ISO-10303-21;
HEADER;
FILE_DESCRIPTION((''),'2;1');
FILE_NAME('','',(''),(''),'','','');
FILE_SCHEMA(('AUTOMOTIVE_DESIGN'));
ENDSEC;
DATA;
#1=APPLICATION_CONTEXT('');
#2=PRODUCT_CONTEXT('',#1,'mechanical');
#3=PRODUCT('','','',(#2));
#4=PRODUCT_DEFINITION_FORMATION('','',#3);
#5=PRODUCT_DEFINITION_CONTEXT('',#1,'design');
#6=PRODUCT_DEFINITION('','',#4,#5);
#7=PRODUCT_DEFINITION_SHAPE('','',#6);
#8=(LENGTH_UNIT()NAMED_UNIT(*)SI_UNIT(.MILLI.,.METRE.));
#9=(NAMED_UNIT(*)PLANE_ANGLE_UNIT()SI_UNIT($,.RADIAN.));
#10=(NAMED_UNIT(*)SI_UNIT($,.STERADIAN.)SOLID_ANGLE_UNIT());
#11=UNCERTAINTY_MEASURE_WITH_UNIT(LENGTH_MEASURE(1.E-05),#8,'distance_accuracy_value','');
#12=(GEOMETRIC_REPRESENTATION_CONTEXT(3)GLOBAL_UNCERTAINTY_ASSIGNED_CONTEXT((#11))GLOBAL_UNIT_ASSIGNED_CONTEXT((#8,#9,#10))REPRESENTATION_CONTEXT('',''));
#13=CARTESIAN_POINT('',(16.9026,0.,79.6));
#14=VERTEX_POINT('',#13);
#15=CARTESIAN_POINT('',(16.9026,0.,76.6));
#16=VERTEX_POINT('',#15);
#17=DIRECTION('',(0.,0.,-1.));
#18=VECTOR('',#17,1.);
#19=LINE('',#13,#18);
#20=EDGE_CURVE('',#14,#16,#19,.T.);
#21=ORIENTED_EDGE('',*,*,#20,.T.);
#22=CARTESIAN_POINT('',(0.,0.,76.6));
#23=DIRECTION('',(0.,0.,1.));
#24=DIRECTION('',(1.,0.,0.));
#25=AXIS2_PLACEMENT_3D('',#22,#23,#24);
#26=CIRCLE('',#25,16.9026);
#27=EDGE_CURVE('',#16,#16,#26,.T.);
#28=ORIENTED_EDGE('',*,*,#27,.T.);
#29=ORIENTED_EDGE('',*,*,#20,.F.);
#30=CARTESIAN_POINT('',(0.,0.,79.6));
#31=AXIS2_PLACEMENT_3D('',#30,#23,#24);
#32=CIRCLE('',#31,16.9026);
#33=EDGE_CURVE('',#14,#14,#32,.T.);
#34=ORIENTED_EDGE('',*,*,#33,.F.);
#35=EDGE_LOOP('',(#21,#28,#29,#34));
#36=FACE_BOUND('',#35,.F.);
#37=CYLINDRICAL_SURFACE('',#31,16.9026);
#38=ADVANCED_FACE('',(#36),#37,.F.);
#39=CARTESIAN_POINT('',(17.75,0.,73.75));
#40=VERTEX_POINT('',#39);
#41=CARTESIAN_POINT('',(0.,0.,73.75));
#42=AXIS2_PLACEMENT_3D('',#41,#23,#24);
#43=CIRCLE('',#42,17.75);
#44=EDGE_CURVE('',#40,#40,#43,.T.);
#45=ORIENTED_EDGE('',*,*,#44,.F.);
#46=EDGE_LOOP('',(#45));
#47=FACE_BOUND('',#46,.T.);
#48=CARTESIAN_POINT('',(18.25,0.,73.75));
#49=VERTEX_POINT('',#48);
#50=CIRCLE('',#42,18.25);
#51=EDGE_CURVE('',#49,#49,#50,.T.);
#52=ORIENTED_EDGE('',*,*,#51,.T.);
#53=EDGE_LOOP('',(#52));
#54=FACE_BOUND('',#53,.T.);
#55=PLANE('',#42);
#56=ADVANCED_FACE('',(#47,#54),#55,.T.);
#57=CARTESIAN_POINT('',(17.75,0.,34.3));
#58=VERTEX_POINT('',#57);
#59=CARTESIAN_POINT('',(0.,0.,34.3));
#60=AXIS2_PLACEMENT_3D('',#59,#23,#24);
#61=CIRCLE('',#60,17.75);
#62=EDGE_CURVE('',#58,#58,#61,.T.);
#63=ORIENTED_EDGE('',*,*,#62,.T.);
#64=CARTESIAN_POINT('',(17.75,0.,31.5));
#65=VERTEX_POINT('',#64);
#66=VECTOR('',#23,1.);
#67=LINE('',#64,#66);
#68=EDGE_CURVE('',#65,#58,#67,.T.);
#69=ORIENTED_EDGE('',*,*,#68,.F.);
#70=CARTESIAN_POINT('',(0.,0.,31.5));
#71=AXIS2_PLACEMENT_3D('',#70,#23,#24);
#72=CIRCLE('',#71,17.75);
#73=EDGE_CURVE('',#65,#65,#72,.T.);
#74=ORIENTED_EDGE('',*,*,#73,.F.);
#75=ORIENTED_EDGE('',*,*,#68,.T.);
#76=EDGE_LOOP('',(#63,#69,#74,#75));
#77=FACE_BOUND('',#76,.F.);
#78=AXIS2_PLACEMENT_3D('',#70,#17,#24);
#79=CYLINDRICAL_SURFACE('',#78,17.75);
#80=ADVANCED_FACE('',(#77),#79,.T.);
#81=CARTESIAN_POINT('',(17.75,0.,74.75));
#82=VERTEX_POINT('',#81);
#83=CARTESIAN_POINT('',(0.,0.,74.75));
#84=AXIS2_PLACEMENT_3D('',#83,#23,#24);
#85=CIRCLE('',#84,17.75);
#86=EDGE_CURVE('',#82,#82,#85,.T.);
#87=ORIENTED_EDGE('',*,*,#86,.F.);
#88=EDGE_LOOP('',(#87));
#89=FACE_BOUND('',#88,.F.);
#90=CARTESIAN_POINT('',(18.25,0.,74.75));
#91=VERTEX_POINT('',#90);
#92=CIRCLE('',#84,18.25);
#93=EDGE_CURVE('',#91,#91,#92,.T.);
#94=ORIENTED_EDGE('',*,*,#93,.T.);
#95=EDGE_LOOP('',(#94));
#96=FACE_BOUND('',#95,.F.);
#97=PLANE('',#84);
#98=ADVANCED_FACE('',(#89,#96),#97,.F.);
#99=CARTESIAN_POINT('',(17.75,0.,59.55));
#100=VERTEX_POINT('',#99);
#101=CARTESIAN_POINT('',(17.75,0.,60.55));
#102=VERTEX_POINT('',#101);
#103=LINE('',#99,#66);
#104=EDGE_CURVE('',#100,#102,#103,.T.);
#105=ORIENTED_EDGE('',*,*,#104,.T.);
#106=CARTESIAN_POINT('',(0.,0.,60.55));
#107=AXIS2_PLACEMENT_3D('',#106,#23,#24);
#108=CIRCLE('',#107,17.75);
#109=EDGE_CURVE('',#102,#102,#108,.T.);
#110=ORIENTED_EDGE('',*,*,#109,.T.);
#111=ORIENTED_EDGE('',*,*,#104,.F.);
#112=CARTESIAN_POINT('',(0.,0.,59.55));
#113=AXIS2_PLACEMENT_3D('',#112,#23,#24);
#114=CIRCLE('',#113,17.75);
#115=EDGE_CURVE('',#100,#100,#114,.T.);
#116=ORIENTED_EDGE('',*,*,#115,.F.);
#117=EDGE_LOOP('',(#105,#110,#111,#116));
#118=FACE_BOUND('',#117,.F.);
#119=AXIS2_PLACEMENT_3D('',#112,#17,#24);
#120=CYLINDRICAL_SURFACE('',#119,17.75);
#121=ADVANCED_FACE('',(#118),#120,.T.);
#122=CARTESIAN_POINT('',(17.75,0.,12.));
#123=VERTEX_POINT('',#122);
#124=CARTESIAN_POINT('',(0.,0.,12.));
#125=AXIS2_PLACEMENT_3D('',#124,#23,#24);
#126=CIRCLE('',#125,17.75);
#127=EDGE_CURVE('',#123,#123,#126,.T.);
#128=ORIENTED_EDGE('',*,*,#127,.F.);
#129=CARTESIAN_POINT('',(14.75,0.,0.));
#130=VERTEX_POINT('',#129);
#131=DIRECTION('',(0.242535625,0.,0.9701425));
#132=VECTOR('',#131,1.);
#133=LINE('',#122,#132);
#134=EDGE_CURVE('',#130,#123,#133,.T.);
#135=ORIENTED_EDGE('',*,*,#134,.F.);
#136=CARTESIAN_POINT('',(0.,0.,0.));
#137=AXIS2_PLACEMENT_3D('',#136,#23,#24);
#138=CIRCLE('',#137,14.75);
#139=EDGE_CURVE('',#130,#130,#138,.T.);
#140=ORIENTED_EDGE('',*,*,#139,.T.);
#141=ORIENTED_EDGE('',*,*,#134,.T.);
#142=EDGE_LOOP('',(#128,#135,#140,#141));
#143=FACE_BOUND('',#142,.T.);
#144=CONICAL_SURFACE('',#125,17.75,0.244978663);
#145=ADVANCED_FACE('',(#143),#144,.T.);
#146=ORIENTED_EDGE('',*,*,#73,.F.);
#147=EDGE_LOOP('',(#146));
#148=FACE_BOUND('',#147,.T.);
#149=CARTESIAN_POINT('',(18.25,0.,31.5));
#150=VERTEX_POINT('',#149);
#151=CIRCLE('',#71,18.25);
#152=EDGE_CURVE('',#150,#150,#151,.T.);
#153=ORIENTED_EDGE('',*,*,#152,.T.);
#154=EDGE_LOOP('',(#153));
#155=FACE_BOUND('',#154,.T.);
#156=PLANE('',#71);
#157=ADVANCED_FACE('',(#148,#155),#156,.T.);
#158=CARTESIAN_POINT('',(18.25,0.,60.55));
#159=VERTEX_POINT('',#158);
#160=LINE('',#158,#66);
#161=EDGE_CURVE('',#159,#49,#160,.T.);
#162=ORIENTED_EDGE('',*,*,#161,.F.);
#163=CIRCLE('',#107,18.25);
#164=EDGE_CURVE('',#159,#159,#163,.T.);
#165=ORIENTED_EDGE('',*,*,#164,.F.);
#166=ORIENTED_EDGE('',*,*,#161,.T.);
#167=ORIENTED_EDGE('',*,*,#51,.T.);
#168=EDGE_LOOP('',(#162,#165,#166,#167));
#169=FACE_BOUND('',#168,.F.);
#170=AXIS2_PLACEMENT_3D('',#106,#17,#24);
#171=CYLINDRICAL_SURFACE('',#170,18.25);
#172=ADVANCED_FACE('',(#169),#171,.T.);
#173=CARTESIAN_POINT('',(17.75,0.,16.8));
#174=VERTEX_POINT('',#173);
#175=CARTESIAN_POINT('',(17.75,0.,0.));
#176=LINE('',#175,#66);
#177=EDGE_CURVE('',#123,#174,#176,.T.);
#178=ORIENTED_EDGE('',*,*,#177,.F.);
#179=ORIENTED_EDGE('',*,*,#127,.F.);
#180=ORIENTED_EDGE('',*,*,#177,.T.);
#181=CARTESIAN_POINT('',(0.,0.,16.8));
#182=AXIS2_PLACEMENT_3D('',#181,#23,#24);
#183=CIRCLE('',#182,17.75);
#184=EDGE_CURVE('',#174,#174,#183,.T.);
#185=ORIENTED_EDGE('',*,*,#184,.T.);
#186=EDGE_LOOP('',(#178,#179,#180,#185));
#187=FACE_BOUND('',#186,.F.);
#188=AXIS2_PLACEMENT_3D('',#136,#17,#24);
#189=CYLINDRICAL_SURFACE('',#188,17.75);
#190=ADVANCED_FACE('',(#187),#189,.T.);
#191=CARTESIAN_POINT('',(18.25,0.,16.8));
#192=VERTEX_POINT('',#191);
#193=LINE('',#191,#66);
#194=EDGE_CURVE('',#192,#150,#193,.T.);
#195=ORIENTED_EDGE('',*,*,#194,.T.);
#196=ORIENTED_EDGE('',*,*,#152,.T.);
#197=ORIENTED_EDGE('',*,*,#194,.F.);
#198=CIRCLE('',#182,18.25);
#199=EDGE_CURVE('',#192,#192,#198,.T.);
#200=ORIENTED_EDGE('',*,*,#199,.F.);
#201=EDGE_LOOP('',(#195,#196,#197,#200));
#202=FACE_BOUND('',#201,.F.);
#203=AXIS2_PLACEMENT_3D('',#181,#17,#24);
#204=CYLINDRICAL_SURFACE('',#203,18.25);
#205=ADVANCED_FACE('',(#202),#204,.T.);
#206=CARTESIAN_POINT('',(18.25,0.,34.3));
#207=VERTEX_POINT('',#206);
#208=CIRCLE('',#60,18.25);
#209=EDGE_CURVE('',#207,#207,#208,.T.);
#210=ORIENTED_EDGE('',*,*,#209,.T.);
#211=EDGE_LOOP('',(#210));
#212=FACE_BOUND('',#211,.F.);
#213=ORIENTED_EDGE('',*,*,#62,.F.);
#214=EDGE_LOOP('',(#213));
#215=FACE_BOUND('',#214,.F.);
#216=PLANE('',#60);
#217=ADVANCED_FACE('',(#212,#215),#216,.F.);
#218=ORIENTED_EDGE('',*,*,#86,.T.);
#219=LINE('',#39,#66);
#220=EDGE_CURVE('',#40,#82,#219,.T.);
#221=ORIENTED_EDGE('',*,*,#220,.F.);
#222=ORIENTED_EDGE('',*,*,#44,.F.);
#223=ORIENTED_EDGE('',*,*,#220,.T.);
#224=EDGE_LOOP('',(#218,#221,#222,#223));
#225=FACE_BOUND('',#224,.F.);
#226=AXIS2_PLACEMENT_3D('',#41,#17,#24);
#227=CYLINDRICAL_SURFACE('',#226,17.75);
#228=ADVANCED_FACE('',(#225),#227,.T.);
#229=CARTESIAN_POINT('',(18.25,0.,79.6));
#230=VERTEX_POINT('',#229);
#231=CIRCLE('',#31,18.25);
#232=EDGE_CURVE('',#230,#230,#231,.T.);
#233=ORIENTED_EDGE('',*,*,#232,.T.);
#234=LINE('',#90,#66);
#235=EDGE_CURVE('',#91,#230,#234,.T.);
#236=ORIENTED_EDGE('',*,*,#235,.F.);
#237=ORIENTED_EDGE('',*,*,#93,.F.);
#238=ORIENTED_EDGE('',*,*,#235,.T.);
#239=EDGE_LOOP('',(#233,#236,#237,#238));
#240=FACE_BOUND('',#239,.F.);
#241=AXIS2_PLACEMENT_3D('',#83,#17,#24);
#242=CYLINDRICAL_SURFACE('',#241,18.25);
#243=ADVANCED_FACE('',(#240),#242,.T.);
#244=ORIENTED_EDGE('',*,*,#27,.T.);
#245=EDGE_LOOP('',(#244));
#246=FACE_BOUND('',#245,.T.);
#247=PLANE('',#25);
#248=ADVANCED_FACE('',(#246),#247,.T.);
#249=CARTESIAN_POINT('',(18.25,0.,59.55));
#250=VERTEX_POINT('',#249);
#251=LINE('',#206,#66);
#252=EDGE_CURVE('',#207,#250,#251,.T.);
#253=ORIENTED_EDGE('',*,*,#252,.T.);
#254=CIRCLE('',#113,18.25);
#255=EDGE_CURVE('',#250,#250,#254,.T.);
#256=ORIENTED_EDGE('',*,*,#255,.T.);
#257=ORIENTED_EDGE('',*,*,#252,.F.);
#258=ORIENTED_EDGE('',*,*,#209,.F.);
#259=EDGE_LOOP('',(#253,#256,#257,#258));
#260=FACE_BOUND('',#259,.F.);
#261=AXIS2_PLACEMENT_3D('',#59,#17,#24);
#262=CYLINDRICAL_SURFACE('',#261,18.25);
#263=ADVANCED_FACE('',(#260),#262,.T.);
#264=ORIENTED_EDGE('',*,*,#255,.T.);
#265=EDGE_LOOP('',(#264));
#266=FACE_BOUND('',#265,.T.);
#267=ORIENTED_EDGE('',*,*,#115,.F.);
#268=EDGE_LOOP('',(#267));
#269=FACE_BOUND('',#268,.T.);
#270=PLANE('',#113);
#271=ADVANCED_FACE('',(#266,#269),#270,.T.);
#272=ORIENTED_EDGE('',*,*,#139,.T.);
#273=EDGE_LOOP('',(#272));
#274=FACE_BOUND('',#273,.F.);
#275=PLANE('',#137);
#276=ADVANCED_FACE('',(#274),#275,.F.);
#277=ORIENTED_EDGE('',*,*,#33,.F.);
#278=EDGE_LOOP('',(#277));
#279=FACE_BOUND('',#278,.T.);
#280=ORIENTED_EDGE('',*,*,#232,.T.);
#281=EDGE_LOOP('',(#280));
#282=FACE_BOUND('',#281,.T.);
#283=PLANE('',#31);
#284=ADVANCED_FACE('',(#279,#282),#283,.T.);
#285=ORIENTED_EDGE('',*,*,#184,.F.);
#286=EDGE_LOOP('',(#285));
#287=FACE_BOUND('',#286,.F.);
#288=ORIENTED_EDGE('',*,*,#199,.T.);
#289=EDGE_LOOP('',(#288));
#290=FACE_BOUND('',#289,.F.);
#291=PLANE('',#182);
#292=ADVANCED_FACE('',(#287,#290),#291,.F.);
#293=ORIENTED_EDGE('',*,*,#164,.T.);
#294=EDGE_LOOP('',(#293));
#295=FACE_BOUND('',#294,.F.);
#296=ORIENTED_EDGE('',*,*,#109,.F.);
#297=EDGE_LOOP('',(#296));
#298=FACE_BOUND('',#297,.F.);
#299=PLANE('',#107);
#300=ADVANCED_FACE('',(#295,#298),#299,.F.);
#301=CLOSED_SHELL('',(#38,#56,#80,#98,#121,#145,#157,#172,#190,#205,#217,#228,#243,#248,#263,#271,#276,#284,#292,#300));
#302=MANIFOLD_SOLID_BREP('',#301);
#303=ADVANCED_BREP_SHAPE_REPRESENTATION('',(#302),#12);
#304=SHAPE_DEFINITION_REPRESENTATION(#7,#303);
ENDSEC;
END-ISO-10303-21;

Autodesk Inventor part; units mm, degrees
ref_plane "YZ Plane" through (0, 0, 0) normal (1, 0, 0) x (0, 1, 0)
ref_plane "XZ Plane" through (0, 0, 0) normal (0, 1, 0) x (-1, 0, 0)
ref_plane "XY Plane" through (0, 0, 0) normal (0, 0, 1) x (1, 0, 0)
sketch "Sketch1" plane through (0, 0, 0) normal (0, 0, 1) x (1, 0, 0)
  circle A0 centre (0, 0) radius 17.75
  dimension "d0" = 35.5
extrude "Extrusion1" add sketch "Sketch1" along normal blind 16.8
sketch "Sketch2" plane through (0, 0, 16.8) normal (0, 0, 1) x (1, 0, 0)
  circle A0 centre (0, 0) radius 17.75 projected
  circle A1 centre (0, 0) radius 18.25
  dimension "d3" = 36.5
extrude "Extrusion2" add sketch "Sketch2" along normal blind 14.7 contours A0 | A1
chamfer "Chamfer1" distance 3 distance2 12 1 edges at (-17.75, 0, 0) measured on face at (-0.7132, -5.1908, 0)
sketch "Sketch3" plane through (0, 0, 31.5) normal (0, 0, 1) x (1, 0, 0)
  circle A0 centre (0, 0) radius 18.25 projected
  circle A1 centre (0, 0) radius 17.75
  dimension "d9" = 35.5
extrude "Extrusion3" add sketch "Sketch3" along normal blind 2.8 contours A1
sketch "Sketch4" plane through (0, 0, 34.3) normal (0, 0, 1) x (1, 0, 0)
  circle A0 centre (0, 0) radius 17.75 projected
  circle A1 centre (0, 0) radius 18.25
  dimension "d12" = 36.5
extrude "Extrusion4" add sketch "Sketch4" along normal blind 25.25 contours A0 | A1
sketch "Sketch5" plane through (0, 0, 59.55) normal (0, 0, 1) x (1, 0, 0)
  circle A0 centre (0, 0) radius 18.25 projected
  circle A1 centre (0, 0) radius 17.75
  dimension "d15" = 35.5
extrude "Extrusion5" add sketch "Sketch5" along normal blind 1 contours A1
sketch "Sketch6" plane through (0, 0, 60.55) normal (0, 0, 1) x (1, 0, 0)
  circle A0 centre (0, 0) radius 17.75 projected
  circle A1 centre (0, 0) radius 18.25
  dimension "d18" = 36.5
extrude "Extrusion6" add sketch "Sketch6" along normal blind 13.2 contours A0 | A1
sketch "Sketch7" plane through (0, 0, 73.75) normal (0, 0, 1) x (1, 0, 0)
  circle A0 centre (0, 0) radius 18.25 projected
  circle A1 centre (0, 0) radius 17.75
  dimension "d21" = 35.5
extrude "Extrusion7" add sketch "Sketch7" along normal blind 1 contours A1
sketch "Sketch8" plane through (0, 0, 74.75) normal (0, 0, 1) x (1, 0, 0)
  circle A0 centre (0, 0) radius 17.75 projected
  circle A1 centre (0, 0) radius 18.25
  dimension "d24" = 36.5
extrude "Extrusion8" add sketch "Sketch8" along normal blind 4.85 contours A0 | A1
sketch "Sketch9" plane through (0, 0, 79.6) normal (0, 0, 1) x (1, 0, 0)
  circle A0 centre (0, 0) radius 16.9026
extrude "Extrusion9" cut sketch "Sketch9" against normal blind 3
properties part number "MLM3X-MP" material "Acetal Resin, Black"
